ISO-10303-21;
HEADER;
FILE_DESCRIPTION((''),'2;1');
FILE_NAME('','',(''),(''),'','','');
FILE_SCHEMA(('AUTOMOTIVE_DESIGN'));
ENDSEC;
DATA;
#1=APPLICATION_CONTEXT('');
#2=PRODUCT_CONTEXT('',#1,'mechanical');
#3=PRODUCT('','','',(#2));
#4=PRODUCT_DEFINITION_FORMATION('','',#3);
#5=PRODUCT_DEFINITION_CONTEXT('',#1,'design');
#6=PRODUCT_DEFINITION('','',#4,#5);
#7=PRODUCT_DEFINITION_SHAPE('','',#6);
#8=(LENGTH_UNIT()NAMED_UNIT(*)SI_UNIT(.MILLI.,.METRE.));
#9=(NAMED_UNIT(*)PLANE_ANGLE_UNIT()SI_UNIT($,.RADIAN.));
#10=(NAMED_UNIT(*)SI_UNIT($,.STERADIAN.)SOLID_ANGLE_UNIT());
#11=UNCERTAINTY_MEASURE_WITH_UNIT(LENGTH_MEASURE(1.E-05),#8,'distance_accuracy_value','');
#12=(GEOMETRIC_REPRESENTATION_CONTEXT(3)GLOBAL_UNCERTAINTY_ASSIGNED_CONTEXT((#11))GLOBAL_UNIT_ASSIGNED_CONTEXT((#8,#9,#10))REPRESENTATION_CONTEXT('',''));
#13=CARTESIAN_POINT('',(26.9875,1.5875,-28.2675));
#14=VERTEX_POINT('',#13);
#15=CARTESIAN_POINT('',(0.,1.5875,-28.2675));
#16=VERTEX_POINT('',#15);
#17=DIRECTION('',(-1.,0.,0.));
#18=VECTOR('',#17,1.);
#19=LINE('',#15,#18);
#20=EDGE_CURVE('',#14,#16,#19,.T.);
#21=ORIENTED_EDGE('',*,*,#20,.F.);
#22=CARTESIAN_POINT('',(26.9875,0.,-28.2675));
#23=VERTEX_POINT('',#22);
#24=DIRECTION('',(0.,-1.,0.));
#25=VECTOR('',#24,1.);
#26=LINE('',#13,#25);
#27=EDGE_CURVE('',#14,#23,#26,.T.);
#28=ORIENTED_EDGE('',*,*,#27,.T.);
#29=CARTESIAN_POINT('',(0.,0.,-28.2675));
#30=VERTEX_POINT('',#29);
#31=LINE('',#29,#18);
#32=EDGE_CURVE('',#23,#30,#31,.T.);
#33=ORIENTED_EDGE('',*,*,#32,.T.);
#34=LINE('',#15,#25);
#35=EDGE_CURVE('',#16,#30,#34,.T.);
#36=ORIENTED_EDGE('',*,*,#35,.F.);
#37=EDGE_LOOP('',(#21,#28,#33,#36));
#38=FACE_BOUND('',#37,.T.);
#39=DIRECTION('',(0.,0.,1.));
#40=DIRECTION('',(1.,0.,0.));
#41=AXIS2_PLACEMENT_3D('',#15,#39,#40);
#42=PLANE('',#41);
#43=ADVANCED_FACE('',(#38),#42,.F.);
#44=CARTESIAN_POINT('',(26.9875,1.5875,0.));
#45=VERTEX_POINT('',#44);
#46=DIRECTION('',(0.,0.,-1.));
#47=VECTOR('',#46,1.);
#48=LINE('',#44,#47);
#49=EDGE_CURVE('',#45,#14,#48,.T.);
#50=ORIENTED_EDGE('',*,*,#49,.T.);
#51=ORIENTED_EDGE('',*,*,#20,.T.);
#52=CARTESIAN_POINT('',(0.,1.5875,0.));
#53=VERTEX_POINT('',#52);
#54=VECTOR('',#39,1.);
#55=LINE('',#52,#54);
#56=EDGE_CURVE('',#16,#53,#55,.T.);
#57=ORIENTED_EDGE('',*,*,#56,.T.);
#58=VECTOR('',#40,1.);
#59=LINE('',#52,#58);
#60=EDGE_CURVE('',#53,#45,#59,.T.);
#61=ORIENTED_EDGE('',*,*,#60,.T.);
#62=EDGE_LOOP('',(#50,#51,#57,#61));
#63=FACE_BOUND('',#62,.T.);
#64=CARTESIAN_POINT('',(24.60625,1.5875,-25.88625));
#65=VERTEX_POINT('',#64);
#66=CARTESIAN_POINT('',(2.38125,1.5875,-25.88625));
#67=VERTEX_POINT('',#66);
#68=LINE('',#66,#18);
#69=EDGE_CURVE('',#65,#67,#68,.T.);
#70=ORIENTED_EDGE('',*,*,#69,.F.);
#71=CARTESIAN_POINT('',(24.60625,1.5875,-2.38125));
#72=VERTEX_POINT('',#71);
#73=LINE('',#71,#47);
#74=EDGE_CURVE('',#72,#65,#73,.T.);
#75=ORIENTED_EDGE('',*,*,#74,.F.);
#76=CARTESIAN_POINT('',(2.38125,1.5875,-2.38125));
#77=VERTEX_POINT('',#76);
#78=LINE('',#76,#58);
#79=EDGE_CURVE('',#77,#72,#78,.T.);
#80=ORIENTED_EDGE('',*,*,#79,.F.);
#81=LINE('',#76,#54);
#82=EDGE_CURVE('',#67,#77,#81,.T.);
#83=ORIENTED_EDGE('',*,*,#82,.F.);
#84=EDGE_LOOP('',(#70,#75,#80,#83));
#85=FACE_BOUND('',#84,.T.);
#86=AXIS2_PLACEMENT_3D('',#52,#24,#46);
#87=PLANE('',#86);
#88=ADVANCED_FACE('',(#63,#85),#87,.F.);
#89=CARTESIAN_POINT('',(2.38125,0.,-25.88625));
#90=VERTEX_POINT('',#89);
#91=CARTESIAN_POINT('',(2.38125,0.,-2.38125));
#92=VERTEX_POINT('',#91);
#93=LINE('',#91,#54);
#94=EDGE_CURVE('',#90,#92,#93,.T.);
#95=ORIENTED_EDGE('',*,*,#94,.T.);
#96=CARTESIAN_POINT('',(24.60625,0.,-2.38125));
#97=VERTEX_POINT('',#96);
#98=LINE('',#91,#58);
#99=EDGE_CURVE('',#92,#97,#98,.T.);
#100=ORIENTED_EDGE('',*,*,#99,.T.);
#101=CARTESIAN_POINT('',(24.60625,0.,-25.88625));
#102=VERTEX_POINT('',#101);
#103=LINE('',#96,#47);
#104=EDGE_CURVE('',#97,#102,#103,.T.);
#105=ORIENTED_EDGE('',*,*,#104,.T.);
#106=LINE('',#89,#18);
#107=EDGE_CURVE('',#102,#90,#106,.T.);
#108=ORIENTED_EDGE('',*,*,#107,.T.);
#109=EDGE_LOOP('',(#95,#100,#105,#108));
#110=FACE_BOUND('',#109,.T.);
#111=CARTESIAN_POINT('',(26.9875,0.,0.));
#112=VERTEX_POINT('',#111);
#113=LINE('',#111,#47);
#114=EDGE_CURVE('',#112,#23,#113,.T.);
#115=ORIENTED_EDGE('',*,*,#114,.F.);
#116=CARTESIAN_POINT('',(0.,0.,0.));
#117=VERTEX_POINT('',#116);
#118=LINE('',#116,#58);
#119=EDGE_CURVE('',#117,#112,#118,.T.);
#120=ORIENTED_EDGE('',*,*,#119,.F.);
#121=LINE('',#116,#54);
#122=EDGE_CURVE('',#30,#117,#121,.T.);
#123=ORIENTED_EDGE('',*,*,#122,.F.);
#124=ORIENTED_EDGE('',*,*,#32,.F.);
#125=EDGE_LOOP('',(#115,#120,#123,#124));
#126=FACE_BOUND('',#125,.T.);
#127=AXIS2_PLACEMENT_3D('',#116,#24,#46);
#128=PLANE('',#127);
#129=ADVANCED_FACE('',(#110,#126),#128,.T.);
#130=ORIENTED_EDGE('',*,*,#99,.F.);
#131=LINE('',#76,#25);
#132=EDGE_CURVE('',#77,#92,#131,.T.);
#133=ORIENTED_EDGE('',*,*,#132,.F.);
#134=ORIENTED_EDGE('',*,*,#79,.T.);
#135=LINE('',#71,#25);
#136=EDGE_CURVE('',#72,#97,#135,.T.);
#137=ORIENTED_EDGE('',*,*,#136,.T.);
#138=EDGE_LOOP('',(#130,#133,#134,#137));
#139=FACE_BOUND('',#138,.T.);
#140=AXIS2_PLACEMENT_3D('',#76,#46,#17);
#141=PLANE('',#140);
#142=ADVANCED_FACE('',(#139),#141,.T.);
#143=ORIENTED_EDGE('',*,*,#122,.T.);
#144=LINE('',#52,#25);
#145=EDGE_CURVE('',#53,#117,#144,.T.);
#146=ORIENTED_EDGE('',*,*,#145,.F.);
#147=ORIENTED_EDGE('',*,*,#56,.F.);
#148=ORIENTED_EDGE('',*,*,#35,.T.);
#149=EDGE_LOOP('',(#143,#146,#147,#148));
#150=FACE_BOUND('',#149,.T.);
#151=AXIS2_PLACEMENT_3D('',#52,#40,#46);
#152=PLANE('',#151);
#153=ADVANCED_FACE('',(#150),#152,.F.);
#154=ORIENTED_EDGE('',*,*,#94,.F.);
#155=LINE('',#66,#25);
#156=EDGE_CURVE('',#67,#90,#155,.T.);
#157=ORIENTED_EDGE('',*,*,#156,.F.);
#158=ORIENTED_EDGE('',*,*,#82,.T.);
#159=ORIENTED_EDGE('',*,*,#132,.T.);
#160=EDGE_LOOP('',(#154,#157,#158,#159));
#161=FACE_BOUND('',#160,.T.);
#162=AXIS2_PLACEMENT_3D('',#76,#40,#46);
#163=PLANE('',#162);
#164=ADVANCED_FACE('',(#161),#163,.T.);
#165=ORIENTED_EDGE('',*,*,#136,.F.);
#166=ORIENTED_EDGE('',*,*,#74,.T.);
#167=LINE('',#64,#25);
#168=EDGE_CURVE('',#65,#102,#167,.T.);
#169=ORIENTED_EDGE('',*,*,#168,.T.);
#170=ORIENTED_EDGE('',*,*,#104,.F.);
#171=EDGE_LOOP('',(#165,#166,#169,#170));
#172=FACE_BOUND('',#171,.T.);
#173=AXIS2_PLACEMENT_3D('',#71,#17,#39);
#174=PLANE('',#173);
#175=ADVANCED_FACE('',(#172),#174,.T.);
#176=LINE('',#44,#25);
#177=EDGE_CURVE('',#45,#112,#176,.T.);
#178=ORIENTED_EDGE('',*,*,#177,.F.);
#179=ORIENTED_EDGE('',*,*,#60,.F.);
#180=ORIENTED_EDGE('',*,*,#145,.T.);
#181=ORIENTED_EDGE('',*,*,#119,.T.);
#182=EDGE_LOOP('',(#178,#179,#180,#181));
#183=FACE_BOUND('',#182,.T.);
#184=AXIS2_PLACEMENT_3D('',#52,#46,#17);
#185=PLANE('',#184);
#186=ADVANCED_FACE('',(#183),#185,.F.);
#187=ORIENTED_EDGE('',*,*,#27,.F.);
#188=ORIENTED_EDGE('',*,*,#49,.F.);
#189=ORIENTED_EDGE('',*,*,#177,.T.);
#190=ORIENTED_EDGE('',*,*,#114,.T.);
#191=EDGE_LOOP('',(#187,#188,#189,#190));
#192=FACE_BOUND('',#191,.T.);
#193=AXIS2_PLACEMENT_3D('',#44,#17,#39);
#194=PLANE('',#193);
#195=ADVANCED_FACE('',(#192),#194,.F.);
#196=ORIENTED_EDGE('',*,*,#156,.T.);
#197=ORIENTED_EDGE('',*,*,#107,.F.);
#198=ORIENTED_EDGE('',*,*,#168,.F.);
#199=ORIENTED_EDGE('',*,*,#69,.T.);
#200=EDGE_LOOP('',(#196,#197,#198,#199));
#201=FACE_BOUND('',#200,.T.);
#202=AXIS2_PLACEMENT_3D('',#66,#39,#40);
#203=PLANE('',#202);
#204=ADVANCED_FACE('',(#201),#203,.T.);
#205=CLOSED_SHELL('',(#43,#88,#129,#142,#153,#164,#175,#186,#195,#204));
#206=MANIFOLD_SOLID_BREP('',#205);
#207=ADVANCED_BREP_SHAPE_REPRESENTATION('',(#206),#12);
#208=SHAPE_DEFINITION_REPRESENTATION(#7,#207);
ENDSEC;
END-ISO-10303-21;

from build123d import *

# Parameters (mm, degrees)
SKETCH1_W           = 26.9875
SKETCH1_H           = 28.2675
SKETCH1_W_2         = 22.225
SKETCH1_H_2         = 23.505
BOSS_EXTRUDE1_DEPTH = 1.5875


with BuildPart() as part:
    # Sketch1 → Boss-Extrude1 (new body)
    with BuildSketch(Plane(origin=(0, 0, 0), x_dir=(1, 0, 0), z_dir=(0, 1, 0))):
        with Locations((13.49375, 14.13375)):
            Rectangle(SKETCH1_W, SKETCH1_H)
        with Locations((13.49375, 14.13375)):
            Rectangle(SKETCH1_W_2, SKETCH1_H_2, mode=Mode.SUBTRACT)
    extrude(amount=BOSS_EXTRUDE1_DEPTH)


solid = part.part
